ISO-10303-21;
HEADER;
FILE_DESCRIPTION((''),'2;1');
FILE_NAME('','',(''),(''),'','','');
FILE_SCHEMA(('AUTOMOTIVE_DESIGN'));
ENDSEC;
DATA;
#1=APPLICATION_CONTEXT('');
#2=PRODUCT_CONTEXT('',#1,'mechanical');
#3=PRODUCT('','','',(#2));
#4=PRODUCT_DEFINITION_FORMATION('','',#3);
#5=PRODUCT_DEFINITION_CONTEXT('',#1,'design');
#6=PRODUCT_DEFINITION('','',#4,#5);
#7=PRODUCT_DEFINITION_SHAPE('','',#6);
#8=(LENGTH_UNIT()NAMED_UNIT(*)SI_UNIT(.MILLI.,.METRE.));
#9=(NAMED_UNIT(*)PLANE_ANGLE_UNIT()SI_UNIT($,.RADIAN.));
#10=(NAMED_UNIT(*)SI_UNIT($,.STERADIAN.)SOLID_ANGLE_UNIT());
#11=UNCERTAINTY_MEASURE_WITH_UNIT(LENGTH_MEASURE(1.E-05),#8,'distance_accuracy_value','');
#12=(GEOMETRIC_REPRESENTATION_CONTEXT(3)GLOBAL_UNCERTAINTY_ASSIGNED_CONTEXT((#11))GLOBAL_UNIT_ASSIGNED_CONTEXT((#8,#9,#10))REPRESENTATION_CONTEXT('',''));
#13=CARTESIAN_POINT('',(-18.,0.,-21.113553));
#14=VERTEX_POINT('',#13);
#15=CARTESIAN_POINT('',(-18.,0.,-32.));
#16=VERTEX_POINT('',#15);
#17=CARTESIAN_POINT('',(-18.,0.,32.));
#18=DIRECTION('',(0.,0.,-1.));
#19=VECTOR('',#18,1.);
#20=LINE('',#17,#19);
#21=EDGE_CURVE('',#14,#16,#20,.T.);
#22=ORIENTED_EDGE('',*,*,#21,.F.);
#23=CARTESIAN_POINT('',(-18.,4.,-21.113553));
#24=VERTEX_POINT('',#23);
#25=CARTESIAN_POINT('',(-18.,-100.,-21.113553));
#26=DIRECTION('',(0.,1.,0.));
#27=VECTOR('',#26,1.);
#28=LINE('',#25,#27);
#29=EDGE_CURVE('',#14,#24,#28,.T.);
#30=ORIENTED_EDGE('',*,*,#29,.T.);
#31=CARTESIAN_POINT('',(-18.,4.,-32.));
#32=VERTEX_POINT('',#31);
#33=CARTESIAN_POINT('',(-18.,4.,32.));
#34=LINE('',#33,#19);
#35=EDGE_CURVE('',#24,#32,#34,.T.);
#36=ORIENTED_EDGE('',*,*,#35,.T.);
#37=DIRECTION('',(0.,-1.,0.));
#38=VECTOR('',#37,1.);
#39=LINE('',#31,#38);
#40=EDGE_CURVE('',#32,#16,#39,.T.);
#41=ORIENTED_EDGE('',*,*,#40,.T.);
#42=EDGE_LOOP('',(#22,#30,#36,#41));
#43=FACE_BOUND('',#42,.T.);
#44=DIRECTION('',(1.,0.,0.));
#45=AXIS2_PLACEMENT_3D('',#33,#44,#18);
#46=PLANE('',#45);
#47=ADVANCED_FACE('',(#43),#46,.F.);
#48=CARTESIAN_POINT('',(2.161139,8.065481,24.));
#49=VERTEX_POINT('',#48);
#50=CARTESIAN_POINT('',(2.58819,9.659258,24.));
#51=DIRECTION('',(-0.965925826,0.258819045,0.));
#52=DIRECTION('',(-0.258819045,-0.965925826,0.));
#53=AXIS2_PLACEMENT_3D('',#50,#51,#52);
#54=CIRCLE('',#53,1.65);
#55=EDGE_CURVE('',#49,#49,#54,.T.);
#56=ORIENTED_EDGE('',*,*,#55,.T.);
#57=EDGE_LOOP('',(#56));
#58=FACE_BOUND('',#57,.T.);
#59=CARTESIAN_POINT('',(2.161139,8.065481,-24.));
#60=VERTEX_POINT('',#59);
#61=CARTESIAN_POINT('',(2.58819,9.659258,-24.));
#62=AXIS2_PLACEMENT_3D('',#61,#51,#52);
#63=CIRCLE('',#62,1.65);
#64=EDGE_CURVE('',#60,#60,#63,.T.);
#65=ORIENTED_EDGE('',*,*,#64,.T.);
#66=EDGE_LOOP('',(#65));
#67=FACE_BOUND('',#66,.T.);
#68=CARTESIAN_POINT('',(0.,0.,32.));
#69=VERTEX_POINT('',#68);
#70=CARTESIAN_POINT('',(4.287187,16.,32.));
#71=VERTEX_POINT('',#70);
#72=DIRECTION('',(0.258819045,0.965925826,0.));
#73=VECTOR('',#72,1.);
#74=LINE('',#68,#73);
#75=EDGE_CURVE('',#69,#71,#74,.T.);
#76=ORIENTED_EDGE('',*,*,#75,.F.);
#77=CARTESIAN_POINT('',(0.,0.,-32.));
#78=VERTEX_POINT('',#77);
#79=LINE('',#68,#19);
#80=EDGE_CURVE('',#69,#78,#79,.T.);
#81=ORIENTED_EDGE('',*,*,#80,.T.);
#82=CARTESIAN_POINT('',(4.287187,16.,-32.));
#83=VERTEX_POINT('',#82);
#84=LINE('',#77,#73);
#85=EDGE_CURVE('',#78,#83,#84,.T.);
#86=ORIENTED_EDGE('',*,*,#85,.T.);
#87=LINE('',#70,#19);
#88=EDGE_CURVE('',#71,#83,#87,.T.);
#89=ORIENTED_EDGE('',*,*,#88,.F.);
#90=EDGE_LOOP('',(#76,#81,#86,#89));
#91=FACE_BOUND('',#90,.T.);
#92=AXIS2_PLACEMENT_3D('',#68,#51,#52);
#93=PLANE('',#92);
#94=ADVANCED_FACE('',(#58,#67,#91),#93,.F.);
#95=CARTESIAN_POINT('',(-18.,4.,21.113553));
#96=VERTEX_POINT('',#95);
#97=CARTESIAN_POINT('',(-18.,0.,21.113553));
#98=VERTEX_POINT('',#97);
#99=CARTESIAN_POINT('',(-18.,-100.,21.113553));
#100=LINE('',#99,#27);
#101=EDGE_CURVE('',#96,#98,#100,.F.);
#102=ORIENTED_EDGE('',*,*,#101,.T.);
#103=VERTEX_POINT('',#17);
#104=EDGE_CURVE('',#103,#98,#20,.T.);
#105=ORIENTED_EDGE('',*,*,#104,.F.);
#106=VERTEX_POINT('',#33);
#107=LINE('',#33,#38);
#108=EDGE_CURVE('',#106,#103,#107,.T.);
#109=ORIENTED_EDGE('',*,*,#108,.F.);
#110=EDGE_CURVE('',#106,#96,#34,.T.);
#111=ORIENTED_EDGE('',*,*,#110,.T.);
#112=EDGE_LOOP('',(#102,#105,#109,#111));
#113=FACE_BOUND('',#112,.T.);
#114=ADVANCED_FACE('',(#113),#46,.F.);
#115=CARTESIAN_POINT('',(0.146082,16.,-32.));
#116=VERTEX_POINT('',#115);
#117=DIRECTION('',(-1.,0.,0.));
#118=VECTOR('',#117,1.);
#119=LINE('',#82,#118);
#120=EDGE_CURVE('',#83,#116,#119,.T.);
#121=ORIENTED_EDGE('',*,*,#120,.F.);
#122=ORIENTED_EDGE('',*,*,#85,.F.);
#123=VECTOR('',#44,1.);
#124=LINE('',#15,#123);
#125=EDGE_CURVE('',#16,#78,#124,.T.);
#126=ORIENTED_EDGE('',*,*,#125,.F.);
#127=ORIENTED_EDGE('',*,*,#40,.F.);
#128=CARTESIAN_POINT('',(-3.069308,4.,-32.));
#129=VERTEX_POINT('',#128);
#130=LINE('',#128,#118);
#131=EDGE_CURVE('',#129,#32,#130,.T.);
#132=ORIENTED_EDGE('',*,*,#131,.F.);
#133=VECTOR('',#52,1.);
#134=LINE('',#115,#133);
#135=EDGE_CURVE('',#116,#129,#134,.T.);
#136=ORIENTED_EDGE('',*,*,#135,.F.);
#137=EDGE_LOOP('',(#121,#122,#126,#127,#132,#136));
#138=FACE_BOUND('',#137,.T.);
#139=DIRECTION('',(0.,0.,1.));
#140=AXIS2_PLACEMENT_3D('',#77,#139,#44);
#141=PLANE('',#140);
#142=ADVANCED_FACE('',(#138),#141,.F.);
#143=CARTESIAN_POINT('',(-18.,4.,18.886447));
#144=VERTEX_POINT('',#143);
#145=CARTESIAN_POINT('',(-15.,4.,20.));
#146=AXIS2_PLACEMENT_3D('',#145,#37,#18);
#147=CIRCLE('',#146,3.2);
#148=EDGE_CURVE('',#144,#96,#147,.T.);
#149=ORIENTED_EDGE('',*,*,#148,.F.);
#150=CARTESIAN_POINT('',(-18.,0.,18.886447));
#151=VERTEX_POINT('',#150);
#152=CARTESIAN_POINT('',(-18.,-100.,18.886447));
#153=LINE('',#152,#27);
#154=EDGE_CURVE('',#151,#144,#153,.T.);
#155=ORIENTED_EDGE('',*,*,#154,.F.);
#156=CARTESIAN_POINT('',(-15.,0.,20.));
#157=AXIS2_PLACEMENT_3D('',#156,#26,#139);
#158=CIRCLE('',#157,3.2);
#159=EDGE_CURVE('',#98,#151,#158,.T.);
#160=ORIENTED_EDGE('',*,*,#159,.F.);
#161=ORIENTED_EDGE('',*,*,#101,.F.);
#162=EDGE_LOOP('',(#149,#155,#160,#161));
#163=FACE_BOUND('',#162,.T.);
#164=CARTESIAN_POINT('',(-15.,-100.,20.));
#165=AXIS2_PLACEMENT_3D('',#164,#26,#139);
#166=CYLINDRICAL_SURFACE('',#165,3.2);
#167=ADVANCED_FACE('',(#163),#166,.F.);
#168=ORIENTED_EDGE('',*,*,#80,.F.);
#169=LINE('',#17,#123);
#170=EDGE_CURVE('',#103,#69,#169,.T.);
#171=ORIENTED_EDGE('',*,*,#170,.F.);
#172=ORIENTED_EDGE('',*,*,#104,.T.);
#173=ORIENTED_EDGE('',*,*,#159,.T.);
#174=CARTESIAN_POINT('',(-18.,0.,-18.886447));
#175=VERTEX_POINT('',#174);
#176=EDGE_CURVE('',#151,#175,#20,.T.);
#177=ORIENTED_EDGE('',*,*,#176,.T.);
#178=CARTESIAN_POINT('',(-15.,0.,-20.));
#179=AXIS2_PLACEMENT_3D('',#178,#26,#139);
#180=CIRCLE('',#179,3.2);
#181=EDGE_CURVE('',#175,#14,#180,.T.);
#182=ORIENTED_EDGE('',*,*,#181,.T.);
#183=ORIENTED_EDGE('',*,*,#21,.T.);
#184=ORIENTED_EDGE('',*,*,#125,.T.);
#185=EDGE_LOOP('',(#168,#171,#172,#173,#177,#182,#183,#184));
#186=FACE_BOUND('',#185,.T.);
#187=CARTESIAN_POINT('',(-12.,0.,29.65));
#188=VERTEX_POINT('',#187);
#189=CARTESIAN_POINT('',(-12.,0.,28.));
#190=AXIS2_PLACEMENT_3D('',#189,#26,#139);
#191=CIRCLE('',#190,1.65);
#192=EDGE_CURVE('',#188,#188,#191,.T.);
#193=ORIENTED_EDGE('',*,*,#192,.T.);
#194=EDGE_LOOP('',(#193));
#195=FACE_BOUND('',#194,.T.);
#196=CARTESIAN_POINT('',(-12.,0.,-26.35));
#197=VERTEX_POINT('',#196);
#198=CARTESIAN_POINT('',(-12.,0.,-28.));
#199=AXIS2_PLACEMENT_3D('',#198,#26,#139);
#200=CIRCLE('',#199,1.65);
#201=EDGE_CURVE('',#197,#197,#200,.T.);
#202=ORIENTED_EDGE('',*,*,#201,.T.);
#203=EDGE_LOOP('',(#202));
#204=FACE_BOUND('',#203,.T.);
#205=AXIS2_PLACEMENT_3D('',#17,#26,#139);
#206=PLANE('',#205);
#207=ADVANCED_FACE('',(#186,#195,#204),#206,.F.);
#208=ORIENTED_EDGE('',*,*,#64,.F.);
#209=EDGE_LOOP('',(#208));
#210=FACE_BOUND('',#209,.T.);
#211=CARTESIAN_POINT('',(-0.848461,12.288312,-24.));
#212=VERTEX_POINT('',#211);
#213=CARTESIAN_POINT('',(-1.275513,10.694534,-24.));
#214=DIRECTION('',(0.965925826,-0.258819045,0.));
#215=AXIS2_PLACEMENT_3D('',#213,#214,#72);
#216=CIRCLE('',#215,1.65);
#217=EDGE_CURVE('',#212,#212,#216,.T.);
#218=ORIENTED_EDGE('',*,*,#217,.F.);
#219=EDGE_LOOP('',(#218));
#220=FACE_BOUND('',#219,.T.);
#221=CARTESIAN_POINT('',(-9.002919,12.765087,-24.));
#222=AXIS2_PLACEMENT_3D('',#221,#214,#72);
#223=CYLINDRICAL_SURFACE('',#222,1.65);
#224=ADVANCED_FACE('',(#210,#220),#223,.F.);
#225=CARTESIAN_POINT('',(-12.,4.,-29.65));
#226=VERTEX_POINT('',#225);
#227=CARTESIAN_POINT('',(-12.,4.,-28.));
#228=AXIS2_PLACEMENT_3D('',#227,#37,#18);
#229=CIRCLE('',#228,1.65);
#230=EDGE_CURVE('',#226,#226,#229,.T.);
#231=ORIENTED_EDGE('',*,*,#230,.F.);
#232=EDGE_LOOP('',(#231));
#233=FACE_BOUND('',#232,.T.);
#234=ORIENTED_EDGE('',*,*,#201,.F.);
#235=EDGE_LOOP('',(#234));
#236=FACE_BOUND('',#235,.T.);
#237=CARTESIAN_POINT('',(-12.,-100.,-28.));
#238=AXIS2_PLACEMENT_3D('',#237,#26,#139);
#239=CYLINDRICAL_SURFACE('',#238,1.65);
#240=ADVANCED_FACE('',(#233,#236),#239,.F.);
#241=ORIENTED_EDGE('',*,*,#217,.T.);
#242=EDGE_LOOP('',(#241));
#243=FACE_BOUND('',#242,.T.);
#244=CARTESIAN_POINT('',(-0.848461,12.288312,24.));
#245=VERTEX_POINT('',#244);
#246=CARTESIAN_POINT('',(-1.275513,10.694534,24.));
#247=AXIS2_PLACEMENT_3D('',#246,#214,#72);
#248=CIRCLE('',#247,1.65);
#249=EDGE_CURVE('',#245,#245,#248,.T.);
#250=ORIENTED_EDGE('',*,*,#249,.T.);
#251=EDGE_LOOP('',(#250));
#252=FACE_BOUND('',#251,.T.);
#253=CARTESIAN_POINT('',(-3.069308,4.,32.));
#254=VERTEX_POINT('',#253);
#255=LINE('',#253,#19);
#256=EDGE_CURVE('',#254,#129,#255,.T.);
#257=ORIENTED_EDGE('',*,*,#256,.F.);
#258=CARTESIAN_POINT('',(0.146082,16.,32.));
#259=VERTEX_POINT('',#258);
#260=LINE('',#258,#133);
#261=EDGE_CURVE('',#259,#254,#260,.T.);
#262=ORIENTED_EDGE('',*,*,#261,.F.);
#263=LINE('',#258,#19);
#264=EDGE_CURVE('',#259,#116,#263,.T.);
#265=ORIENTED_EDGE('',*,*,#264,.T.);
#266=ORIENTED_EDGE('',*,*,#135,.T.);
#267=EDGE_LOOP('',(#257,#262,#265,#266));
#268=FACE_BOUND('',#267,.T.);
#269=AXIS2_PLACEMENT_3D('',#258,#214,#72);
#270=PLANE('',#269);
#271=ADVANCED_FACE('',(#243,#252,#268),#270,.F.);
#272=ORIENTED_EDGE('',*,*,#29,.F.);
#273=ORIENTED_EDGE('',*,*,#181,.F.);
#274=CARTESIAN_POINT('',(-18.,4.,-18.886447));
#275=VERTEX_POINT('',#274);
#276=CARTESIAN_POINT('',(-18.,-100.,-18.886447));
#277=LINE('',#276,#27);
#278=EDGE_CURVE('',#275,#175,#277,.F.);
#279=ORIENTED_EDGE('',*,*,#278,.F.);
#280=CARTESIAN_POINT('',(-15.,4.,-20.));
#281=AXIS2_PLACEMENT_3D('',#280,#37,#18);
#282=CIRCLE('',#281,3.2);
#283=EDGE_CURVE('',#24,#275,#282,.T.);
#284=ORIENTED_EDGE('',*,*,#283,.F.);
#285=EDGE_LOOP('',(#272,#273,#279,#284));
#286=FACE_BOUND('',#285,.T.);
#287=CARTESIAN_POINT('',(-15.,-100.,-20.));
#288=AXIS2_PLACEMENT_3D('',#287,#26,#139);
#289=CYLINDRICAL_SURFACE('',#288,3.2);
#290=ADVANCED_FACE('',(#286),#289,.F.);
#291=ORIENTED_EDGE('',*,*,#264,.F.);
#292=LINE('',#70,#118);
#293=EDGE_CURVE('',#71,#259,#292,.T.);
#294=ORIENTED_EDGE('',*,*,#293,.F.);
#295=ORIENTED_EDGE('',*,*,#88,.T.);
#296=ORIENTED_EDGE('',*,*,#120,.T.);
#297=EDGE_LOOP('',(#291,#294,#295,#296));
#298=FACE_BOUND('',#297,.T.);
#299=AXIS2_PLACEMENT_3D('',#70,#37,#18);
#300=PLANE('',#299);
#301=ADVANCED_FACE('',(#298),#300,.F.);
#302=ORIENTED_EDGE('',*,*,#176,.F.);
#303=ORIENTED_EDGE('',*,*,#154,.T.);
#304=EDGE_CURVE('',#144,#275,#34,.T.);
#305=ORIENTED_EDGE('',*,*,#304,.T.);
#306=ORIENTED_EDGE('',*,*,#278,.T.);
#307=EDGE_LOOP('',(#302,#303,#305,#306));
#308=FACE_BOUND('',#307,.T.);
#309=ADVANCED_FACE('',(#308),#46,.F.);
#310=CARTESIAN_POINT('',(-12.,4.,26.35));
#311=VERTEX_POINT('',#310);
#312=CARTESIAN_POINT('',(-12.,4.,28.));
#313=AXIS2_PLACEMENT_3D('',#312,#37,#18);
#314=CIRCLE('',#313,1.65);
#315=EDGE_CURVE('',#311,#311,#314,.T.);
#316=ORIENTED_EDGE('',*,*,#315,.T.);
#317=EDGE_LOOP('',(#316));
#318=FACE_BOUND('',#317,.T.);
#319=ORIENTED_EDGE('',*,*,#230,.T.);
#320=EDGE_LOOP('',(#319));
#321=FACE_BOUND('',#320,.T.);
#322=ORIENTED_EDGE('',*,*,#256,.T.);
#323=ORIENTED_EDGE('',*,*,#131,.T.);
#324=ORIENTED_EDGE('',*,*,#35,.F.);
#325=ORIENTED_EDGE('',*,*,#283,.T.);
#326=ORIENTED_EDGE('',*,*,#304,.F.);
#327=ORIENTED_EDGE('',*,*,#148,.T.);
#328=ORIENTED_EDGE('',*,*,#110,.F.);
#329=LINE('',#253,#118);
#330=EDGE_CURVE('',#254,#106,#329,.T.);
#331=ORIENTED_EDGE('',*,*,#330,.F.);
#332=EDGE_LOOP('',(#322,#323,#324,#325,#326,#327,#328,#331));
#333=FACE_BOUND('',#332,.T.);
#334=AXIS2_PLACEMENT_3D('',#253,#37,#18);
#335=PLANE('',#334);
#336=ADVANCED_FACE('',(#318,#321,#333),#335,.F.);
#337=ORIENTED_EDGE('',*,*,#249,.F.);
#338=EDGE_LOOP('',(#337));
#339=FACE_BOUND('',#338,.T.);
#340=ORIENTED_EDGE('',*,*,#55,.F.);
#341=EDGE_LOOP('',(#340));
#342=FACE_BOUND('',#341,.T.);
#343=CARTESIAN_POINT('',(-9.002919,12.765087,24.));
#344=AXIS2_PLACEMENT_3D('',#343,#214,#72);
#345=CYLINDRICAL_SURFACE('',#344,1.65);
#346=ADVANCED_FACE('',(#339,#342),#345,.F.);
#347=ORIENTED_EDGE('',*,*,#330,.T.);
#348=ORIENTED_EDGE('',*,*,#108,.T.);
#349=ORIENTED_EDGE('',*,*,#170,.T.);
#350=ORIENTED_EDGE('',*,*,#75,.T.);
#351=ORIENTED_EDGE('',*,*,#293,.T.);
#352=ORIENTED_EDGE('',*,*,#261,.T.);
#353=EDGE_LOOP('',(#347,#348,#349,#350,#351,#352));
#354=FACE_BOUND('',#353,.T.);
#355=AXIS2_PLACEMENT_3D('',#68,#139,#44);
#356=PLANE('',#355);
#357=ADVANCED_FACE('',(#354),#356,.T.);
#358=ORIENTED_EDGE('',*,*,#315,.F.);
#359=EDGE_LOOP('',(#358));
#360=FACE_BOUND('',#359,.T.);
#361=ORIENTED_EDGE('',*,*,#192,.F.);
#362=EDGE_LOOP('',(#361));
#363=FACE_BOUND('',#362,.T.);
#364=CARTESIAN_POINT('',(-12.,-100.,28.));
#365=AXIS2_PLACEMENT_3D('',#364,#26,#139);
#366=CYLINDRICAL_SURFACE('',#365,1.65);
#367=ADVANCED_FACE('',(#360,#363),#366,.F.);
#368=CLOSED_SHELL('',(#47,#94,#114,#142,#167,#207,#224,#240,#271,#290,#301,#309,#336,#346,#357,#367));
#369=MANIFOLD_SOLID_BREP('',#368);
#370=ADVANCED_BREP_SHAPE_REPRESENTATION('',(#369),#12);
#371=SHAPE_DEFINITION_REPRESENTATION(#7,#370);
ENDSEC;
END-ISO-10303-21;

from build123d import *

# Parameters (mm, degrees)
EXTRUDE_START                 = -32
EXTRUDE_15_DEPTH              = 64
CUT_EXTRUDE_1_DEPTH           = 100
CUT_EXTRUDE_1_DEPTH_BACK      = 100
SKETCH_2_R                    = 3.2
CUT_EXTRUDE_1_2_DEPTH         = 100
CUT_EXTRUDE_1_2_DEPTH_BACK    = 100
SKETCH_3_R                    = 3.2
CUT_EXTRUDE_M3_1_DEPTH        = 100
CUT_EXTRUDE_M3_1_DEPTH_BACK   = 100
SKETCH_4_R                    = 1.65
CUT_EXTRUDE_M3_1_2_DEPTH      = 100
CUT_EXTRUDE_M3_1_2_DEPTH_BACK = 100
SKETCH_5_R                    = 1.65
CUT_EXTRUDE_M3_DEPTH          = 12
CUT_EXTRUDE_M3_DEPTH_BACK     = 12
SKETCH_6_R                    = 1.65


with BuildPart() as part:
    # 草图1 → 四毫米底座及15度斜壁 (new body)
    with BuildSketch(Plane.XY.offset(EXTRUDE_START)):
        Polygon((-18, 0), (0, 0), (4.287187079, 16), (0.146082357, 16), (-3.069307952, 4), (-18, 4), align=None)
    extrude(amount=EXTRUDE_15_DEPTH)

    # 草图2 → Cut-Extrude 1 (cut, two sides: drawn at the far end of the back side and taken through both)
    with BuildSketch(Plane(origin=(0, 0, 0), x_dir=(1, 0, 0), z_dir=(0, 1, 0)).offset(-CUT_EXTRUDE_1_DEPTH_BACK)):
        with Locations((-15, 20)):
            Circle(SKETCH_2_R)
    extrude(amount=CUT_EXTRUDE_1_DEPTH + CUT_EXTRUDE_1_DEPTH_BACK, mode=Mode.SUBTRACT)

    # 草图3 → Cut-Extrude 1 2 (cut, two sides: drawn at the far end of the back side and taken through both)
    with BuildSketch(Plane(origin=(0, 0, 0), x_dir=(1, 0, 0), z_dir=(0, 1, 0)).offset(-CUT_EXTRUDE_1_2_DEPTH_BACK)):
        with Locations((-15, -20)):
            Circle(SKETCH_3_R)
    extrude(amount=CUT_EXTRUDE_1_2_DEPTH + CUT_EXTRUDE_1_2_DEPTH_BACK, mode=Mode.SUBTRACT)

    # 草图4 → Cut-Extrude M3__-1 (cut, two sides: drawn at the far end of the back side and taken through both)
    with BuildSketch(Plane(origin=(0, 0, 0), x_dir=(1, 0, 0), z_dir=(0, 1, 0)).offset(-CUT_EXTRUDE_M3_1_DEPTH_BACK)):
        with Locations(Location((-12, 28, 0), (0, 0, 270))):
            Circle(SKETCH_4_R)
    extrude(amount=CUT_EXTRUDE_M3_1_DEPTH + CUT_EXTRUDE_M3_1_DEPTH_BACK, mode=Mode.SUBTRACT)

    # 草图5 → Cut-Extrude M3__1 2 (cut, two sides: drawn at the far end of the back side and taken through both)
    with BuildSketch(Plane(origin=(0, 0, 0), x_dir=(1, 0, 0), z_dir=(0, 1, 0)).offset(-CUT_EXTRUDE_M3_1_2_DEPTH_BACK)):
        with Locations(Location((-12, -28, 0), (0, 0, 270))):
            Circle(SKETCH_5_R)
    extrude(amount=CUT_EXTRUDE_M3_1_2_DEPTH + CUT_EXTRUDE_M3_1_2_DEPTH_BACK, mode=Mode.SUBTRACT)

    # 草图6 → 长脚斜面双M3孔 (cut, two sides: drawn at the far end of the back side and taken through both)
    with BuildSketch(Plane(origin=(0, 0, 0), x_dir=(0, 0, -1), z_dir=(0.9659258262890684, -0.2588190451025208, 0)).offset(-CUT_EXTRUDE_M3_DEPTH_BACK)):
        with Locations(Location((24, 10, 0), (0, 0, 90))):
            Circle(SKETCH_6_R)
        with Locations(Location((-24, 10, 0), (0, 0, 90))):
            Circle(SKETCH_6_R)
    extrude(amount=CUT_EXTRUDE_M3_DEPTH + CUT_EXTRUDE_M3_DEPTH_BACK, mode=Mode.SUBTRACT)


solid = part.part
